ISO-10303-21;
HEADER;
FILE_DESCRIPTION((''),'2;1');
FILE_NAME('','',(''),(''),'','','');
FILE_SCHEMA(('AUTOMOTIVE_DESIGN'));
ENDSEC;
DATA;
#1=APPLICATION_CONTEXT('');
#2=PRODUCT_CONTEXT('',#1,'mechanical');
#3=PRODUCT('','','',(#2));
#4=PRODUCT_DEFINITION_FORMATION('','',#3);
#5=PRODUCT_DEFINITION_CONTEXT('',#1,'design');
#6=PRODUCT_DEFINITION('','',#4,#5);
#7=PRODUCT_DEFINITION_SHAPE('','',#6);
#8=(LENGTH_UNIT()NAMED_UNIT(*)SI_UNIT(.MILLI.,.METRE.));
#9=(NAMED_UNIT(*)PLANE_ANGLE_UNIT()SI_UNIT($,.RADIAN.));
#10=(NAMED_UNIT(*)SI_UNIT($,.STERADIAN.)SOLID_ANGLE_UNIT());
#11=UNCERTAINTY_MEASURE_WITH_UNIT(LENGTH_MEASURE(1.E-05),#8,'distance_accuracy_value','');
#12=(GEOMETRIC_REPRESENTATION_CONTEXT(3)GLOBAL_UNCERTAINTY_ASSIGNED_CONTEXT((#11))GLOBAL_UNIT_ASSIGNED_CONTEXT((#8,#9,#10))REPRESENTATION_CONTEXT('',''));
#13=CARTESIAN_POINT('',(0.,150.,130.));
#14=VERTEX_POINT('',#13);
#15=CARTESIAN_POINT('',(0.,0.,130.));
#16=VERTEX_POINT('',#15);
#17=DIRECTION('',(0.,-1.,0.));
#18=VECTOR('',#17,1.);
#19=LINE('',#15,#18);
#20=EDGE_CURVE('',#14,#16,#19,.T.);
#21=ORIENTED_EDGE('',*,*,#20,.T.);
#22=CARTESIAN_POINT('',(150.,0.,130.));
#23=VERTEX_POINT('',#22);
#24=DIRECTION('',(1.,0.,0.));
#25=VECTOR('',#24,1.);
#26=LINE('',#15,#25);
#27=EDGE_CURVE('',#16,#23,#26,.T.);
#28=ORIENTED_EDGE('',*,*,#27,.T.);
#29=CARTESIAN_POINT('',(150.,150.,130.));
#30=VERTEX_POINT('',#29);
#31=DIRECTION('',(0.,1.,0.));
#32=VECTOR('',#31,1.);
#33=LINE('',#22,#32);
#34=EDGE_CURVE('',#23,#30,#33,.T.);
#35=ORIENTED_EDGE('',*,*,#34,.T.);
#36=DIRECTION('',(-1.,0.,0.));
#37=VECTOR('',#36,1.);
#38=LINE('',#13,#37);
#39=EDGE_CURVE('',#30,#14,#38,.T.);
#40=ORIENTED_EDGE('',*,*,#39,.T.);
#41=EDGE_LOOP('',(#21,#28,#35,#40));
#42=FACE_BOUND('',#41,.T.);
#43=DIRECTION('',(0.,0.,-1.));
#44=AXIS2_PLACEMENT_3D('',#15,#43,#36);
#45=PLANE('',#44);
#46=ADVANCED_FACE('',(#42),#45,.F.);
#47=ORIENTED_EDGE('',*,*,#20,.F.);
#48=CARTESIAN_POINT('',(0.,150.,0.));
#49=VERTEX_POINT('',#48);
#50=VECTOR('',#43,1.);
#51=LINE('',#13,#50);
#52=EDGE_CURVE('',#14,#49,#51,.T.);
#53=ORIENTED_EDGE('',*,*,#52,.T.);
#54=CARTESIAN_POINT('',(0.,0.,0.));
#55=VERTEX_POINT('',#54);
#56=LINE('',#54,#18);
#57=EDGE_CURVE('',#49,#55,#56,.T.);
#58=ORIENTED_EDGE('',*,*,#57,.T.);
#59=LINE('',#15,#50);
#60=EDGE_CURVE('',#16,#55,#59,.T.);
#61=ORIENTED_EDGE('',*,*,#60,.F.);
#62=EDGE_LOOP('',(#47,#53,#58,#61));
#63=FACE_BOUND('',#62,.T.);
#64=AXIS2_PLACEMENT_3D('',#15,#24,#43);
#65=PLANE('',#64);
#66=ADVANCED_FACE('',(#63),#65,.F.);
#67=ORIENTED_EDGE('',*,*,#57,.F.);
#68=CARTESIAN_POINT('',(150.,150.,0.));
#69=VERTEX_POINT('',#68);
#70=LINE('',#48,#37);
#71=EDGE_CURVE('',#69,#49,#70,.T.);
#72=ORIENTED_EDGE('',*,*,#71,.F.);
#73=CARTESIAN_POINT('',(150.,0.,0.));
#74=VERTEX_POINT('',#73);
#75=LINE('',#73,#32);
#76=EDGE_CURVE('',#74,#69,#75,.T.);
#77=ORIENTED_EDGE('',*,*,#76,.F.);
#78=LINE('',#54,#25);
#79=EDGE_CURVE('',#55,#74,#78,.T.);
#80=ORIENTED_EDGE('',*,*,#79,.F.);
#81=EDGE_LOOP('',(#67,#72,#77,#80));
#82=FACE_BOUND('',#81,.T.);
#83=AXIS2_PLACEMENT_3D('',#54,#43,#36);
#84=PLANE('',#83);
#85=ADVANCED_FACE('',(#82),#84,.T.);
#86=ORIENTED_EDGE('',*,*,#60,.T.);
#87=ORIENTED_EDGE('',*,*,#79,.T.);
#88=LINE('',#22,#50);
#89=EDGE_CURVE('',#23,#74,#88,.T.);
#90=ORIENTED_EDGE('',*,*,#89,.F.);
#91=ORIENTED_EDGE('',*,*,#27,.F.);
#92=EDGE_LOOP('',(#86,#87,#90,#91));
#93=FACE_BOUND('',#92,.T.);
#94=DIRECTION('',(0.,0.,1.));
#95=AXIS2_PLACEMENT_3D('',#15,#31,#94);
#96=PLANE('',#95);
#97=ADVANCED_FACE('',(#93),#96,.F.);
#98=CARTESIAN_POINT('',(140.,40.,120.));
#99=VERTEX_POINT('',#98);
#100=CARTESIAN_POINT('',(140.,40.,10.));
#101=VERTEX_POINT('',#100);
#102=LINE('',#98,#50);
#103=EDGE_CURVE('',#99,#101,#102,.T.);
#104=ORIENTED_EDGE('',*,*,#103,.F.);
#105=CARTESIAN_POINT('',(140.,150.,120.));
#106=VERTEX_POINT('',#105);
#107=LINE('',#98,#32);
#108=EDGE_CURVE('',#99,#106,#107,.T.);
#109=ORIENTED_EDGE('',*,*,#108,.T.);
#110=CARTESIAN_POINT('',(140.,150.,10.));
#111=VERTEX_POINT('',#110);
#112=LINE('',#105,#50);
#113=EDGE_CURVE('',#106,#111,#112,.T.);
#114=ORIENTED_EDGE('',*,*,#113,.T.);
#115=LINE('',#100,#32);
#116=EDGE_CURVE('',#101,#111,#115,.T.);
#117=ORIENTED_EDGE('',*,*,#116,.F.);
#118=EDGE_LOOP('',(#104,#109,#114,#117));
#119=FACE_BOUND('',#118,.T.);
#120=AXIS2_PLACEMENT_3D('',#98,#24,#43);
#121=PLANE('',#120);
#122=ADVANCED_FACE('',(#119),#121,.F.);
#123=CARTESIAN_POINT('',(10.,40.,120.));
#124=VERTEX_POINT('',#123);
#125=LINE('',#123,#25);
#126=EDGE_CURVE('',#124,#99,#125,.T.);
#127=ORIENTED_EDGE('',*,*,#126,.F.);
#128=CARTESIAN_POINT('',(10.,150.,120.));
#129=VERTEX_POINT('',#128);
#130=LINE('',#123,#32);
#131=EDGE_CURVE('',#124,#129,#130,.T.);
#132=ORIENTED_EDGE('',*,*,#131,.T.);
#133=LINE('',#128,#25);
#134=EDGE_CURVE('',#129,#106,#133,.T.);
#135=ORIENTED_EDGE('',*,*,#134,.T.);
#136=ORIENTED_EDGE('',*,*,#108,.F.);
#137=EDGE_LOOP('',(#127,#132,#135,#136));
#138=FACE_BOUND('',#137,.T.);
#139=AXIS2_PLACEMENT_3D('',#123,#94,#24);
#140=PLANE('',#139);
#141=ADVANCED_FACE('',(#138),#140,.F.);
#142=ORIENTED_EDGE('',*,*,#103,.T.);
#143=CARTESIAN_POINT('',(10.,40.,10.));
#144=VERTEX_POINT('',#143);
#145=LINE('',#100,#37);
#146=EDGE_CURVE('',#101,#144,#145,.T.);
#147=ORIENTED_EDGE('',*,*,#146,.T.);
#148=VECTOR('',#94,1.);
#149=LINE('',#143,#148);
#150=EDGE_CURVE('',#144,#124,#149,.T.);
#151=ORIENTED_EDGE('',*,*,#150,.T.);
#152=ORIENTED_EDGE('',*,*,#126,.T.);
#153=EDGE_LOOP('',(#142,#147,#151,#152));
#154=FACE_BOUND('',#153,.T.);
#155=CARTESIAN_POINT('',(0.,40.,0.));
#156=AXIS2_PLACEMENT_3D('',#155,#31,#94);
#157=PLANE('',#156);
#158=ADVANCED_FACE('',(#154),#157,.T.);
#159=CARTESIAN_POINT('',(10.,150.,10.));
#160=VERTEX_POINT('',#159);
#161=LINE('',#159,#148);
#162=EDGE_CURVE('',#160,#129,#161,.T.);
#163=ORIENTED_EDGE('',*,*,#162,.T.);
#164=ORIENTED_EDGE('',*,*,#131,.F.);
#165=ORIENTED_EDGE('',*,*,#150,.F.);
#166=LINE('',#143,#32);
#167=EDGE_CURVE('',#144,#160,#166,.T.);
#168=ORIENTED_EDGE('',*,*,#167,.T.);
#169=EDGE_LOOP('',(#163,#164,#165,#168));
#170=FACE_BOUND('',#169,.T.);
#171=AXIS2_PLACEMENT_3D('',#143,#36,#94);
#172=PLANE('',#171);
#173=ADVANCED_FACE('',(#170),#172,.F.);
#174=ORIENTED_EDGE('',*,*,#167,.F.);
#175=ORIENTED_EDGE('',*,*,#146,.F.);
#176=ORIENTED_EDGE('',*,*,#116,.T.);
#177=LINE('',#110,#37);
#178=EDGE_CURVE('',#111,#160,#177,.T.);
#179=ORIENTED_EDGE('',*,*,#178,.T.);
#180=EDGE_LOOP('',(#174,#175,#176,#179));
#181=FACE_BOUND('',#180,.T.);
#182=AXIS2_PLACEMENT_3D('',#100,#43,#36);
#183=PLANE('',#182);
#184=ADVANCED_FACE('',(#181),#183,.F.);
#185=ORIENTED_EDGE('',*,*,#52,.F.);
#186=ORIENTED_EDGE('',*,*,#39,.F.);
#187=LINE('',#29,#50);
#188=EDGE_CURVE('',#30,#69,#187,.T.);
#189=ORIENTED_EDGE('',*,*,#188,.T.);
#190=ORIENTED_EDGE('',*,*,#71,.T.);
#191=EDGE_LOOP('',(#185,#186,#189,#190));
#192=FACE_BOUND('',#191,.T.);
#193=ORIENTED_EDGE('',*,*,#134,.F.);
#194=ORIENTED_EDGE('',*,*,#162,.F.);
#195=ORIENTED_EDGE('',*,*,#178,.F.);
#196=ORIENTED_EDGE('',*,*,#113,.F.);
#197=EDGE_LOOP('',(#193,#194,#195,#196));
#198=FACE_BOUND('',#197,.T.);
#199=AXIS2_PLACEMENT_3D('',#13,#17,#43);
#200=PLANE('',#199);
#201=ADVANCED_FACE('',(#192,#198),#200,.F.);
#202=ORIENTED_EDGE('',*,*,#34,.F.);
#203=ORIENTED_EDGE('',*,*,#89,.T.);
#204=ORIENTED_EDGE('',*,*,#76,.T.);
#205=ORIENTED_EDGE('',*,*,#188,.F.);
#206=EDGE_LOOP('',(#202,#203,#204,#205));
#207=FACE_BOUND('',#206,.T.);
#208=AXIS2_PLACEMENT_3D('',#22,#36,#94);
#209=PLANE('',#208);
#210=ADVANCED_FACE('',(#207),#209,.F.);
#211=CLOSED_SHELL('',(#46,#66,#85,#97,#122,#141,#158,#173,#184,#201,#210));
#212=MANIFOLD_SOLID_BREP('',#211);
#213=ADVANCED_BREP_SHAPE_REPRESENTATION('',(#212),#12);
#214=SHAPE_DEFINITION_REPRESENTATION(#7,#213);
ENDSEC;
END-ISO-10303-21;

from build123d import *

# Parameters (mm, degrees)
SKETCH1_W           = 150
SKETCH1_H           = 150
BOSS_EXTRUDE2_DEPTH = 130
SKETCH3_W           = 130
SKETCH3_H           = 110
CUT_EXTRUDE2_DEPTH  = 110


with BuildPart() as part:
    # Sketch1 → Boss-Extrude2 (new body)
    with BuildSketch(Plane.XY):
        with Locations((75, 75)):
            Rectangle(SKETCH1_W, SKETCH1_H)
    extrude(amount=BOSS_EXTRUDE2_DEPTH)

    # Sketch3 → Cut-Extrude2 (cut)
    with BuildSketch(Plane(origin=(0, 150, 0), x_dir=(1, 0, 0), z_dir=(0, 1, 0))):
        with Locations((75, -65)):
            Rectangle(SKETCH3_W, SKETCH3_H)
    extrude(amount=-CUT_EXTRUDE2_DEPTH, mode=Mode.SUBTRACT)


solid = part.part
